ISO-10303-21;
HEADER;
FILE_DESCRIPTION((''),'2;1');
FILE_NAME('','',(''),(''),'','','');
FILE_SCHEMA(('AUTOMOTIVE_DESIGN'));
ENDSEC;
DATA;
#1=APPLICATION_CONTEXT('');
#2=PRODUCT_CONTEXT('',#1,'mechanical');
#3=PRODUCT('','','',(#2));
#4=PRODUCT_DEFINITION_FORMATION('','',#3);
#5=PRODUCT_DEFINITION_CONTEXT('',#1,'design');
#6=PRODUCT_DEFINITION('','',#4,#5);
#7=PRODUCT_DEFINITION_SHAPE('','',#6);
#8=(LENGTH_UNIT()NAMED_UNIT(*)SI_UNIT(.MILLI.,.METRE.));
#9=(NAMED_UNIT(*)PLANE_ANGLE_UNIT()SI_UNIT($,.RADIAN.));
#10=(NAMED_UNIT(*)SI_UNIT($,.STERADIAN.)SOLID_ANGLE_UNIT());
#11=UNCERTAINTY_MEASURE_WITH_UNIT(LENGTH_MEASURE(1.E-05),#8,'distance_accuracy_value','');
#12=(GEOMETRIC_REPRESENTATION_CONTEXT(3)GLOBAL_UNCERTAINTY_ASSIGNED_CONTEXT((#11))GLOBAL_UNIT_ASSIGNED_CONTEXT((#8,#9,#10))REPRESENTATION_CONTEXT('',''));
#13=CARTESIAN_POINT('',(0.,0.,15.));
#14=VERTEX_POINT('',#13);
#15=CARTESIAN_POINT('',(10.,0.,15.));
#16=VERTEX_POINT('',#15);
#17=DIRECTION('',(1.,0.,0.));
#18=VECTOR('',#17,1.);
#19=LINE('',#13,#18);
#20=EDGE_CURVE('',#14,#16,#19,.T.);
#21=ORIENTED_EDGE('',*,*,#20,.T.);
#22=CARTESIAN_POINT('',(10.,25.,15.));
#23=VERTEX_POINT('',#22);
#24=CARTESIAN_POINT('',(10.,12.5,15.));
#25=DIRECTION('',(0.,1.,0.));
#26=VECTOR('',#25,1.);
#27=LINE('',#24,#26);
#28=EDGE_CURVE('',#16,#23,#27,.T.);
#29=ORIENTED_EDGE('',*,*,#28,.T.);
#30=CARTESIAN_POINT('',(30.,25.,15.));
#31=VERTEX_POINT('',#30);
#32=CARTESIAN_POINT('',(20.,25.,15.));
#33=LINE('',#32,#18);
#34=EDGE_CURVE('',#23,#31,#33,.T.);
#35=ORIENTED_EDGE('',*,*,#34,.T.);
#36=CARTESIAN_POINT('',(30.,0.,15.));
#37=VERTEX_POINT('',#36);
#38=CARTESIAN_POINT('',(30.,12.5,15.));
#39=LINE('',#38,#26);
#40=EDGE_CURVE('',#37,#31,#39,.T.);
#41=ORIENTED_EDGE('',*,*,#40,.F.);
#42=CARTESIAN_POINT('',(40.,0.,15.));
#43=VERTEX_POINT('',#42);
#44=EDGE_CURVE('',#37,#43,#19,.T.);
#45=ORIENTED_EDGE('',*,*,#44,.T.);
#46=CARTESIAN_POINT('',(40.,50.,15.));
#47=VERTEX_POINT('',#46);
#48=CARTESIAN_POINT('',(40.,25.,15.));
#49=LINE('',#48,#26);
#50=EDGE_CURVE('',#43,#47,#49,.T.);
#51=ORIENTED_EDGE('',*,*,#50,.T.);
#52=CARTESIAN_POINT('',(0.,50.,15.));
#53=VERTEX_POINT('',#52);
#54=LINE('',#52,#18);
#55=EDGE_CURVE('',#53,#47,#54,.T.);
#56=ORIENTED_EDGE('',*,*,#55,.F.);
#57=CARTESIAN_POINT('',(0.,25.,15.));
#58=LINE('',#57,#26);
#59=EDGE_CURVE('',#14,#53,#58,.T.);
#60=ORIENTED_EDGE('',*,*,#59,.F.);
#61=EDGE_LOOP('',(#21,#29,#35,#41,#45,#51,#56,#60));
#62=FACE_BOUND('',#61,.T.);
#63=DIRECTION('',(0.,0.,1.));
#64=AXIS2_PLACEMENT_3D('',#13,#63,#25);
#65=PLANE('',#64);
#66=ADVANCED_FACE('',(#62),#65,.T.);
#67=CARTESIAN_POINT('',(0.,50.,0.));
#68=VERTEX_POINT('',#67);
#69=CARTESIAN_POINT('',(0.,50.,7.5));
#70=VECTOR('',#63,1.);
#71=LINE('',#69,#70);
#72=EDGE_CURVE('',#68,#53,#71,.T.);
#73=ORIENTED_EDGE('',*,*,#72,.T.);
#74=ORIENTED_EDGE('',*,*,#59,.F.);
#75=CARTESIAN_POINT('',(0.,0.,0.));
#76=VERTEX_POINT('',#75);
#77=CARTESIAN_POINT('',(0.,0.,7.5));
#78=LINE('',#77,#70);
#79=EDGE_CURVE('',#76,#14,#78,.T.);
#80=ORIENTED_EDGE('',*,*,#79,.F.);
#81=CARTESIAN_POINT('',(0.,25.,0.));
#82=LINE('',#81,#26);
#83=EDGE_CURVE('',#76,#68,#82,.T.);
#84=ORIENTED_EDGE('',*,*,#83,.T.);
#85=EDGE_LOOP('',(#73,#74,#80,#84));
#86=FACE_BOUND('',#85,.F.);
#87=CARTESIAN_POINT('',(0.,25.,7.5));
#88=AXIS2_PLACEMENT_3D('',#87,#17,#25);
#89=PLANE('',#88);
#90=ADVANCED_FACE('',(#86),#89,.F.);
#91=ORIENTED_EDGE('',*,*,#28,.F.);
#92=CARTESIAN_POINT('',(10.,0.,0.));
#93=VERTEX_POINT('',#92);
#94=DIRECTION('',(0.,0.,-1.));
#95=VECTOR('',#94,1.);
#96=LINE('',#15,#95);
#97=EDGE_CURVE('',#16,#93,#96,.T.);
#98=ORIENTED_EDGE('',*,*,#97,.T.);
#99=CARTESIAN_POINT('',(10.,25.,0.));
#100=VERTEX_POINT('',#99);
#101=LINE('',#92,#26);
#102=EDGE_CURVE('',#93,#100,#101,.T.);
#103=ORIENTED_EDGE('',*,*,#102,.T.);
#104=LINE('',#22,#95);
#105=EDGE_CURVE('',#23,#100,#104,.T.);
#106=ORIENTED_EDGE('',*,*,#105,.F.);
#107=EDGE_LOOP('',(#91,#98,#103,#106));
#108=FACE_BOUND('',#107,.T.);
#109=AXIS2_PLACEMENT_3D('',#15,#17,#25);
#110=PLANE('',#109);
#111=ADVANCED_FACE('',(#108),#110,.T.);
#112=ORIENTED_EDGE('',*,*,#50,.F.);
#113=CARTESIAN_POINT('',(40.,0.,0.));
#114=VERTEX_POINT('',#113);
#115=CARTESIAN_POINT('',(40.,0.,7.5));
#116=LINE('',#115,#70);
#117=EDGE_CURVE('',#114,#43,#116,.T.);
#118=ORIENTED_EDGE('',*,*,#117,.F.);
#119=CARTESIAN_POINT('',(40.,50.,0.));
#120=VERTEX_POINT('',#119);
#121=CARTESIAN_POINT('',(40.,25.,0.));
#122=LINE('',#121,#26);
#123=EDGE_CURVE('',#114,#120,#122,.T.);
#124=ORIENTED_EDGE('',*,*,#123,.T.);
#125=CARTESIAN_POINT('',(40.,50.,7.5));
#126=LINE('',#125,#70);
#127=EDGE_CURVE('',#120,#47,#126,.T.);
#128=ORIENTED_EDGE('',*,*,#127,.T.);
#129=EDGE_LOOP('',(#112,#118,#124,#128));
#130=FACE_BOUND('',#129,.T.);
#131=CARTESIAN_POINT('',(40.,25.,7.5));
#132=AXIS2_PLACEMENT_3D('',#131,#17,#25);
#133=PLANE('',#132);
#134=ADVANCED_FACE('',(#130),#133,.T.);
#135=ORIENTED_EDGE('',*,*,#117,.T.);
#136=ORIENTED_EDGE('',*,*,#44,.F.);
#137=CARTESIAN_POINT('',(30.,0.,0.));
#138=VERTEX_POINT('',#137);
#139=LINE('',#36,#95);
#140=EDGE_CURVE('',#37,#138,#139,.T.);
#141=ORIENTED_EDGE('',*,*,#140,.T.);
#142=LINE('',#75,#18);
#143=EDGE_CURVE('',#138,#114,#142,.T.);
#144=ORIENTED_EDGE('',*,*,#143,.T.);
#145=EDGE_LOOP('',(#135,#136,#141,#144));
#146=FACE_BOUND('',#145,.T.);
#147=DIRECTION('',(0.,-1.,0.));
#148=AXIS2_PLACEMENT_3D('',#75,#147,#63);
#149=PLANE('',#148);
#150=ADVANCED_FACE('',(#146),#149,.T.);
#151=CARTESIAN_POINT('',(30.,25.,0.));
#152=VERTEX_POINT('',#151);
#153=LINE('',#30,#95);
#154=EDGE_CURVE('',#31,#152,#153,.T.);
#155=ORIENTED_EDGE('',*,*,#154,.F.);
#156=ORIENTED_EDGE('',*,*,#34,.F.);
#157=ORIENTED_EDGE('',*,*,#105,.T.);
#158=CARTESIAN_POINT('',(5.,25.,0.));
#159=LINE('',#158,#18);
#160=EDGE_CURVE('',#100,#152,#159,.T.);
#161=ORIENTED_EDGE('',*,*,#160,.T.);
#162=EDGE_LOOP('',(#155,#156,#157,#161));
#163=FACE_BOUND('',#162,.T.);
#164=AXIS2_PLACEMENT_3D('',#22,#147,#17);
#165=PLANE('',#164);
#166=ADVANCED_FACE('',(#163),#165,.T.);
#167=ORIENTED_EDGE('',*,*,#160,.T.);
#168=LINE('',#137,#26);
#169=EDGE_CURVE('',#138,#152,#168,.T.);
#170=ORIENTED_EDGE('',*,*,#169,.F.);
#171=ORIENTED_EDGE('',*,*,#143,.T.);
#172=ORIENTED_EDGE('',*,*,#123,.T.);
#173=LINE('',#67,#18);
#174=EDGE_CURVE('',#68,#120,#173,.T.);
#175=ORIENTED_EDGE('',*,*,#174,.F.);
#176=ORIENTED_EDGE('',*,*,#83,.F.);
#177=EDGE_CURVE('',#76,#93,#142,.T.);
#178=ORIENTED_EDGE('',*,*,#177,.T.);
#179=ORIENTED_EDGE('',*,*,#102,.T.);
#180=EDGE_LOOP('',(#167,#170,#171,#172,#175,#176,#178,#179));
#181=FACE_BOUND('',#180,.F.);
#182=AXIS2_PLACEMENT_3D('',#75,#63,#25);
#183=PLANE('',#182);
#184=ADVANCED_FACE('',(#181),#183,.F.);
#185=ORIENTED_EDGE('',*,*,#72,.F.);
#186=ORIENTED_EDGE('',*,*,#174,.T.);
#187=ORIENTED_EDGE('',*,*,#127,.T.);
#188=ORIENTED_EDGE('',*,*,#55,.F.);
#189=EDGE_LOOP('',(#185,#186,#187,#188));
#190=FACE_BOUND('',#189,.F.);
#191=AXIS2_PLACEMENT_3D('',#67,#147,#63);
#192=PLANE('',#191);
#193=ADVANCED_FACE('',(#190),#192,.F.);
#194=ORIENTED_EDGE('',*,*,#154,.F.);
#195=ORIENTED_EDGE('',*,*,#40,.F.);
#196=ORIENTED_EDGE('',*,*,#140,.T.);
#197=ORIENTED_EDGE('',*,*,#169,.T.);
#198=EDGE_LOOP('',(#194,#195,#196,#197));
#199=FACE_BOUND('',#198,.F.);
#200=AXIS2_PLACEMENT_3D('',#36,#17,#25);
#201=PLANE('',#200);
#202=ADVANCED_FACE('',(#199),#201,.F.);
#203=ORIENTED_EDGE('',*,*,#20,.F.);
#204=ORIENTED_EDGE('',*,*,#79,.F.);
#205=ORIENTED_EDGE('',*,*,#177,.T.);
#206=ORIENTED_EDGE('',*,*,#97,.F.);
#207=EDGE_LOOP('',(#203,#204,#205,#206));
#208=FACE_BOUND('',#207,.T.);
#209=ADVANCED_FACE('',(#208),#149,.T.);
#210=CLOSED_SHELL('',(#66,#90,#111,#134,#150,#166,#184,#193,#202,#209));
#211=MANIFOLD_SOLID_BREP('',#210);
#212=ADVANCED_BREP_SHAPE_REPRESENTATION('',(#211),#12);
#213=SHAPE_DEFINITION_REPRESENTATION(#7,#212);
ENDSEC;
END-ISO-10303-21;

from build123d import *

# Parameters (mm, degrees)
F0_W     = 50
F0_H     = 15
F1_DEPTH = 40
F2_W     = 20
F2_H     = 25
F3_DEPTH = 25


with BuildPart() as f1:
    # F0 (on Right) → F1 (new body)
    with BuildSketch(Plane.YZ):
        with Locations((25, 7.5)):
            Rectangle(F0_W, F0_H)
    extrude(amount=F1_DEPTH)

    # F2 (on face) → F3 (cut)
    with BuildSketch(Plane.XY.offset(15)):
        with Locations((20, 12.5)):
            Rectangle(F2_W, F2_H)
    extrude(amount=-F3_DEPTH, mode=Mode.SUBTRACT)


solid = f1.part
